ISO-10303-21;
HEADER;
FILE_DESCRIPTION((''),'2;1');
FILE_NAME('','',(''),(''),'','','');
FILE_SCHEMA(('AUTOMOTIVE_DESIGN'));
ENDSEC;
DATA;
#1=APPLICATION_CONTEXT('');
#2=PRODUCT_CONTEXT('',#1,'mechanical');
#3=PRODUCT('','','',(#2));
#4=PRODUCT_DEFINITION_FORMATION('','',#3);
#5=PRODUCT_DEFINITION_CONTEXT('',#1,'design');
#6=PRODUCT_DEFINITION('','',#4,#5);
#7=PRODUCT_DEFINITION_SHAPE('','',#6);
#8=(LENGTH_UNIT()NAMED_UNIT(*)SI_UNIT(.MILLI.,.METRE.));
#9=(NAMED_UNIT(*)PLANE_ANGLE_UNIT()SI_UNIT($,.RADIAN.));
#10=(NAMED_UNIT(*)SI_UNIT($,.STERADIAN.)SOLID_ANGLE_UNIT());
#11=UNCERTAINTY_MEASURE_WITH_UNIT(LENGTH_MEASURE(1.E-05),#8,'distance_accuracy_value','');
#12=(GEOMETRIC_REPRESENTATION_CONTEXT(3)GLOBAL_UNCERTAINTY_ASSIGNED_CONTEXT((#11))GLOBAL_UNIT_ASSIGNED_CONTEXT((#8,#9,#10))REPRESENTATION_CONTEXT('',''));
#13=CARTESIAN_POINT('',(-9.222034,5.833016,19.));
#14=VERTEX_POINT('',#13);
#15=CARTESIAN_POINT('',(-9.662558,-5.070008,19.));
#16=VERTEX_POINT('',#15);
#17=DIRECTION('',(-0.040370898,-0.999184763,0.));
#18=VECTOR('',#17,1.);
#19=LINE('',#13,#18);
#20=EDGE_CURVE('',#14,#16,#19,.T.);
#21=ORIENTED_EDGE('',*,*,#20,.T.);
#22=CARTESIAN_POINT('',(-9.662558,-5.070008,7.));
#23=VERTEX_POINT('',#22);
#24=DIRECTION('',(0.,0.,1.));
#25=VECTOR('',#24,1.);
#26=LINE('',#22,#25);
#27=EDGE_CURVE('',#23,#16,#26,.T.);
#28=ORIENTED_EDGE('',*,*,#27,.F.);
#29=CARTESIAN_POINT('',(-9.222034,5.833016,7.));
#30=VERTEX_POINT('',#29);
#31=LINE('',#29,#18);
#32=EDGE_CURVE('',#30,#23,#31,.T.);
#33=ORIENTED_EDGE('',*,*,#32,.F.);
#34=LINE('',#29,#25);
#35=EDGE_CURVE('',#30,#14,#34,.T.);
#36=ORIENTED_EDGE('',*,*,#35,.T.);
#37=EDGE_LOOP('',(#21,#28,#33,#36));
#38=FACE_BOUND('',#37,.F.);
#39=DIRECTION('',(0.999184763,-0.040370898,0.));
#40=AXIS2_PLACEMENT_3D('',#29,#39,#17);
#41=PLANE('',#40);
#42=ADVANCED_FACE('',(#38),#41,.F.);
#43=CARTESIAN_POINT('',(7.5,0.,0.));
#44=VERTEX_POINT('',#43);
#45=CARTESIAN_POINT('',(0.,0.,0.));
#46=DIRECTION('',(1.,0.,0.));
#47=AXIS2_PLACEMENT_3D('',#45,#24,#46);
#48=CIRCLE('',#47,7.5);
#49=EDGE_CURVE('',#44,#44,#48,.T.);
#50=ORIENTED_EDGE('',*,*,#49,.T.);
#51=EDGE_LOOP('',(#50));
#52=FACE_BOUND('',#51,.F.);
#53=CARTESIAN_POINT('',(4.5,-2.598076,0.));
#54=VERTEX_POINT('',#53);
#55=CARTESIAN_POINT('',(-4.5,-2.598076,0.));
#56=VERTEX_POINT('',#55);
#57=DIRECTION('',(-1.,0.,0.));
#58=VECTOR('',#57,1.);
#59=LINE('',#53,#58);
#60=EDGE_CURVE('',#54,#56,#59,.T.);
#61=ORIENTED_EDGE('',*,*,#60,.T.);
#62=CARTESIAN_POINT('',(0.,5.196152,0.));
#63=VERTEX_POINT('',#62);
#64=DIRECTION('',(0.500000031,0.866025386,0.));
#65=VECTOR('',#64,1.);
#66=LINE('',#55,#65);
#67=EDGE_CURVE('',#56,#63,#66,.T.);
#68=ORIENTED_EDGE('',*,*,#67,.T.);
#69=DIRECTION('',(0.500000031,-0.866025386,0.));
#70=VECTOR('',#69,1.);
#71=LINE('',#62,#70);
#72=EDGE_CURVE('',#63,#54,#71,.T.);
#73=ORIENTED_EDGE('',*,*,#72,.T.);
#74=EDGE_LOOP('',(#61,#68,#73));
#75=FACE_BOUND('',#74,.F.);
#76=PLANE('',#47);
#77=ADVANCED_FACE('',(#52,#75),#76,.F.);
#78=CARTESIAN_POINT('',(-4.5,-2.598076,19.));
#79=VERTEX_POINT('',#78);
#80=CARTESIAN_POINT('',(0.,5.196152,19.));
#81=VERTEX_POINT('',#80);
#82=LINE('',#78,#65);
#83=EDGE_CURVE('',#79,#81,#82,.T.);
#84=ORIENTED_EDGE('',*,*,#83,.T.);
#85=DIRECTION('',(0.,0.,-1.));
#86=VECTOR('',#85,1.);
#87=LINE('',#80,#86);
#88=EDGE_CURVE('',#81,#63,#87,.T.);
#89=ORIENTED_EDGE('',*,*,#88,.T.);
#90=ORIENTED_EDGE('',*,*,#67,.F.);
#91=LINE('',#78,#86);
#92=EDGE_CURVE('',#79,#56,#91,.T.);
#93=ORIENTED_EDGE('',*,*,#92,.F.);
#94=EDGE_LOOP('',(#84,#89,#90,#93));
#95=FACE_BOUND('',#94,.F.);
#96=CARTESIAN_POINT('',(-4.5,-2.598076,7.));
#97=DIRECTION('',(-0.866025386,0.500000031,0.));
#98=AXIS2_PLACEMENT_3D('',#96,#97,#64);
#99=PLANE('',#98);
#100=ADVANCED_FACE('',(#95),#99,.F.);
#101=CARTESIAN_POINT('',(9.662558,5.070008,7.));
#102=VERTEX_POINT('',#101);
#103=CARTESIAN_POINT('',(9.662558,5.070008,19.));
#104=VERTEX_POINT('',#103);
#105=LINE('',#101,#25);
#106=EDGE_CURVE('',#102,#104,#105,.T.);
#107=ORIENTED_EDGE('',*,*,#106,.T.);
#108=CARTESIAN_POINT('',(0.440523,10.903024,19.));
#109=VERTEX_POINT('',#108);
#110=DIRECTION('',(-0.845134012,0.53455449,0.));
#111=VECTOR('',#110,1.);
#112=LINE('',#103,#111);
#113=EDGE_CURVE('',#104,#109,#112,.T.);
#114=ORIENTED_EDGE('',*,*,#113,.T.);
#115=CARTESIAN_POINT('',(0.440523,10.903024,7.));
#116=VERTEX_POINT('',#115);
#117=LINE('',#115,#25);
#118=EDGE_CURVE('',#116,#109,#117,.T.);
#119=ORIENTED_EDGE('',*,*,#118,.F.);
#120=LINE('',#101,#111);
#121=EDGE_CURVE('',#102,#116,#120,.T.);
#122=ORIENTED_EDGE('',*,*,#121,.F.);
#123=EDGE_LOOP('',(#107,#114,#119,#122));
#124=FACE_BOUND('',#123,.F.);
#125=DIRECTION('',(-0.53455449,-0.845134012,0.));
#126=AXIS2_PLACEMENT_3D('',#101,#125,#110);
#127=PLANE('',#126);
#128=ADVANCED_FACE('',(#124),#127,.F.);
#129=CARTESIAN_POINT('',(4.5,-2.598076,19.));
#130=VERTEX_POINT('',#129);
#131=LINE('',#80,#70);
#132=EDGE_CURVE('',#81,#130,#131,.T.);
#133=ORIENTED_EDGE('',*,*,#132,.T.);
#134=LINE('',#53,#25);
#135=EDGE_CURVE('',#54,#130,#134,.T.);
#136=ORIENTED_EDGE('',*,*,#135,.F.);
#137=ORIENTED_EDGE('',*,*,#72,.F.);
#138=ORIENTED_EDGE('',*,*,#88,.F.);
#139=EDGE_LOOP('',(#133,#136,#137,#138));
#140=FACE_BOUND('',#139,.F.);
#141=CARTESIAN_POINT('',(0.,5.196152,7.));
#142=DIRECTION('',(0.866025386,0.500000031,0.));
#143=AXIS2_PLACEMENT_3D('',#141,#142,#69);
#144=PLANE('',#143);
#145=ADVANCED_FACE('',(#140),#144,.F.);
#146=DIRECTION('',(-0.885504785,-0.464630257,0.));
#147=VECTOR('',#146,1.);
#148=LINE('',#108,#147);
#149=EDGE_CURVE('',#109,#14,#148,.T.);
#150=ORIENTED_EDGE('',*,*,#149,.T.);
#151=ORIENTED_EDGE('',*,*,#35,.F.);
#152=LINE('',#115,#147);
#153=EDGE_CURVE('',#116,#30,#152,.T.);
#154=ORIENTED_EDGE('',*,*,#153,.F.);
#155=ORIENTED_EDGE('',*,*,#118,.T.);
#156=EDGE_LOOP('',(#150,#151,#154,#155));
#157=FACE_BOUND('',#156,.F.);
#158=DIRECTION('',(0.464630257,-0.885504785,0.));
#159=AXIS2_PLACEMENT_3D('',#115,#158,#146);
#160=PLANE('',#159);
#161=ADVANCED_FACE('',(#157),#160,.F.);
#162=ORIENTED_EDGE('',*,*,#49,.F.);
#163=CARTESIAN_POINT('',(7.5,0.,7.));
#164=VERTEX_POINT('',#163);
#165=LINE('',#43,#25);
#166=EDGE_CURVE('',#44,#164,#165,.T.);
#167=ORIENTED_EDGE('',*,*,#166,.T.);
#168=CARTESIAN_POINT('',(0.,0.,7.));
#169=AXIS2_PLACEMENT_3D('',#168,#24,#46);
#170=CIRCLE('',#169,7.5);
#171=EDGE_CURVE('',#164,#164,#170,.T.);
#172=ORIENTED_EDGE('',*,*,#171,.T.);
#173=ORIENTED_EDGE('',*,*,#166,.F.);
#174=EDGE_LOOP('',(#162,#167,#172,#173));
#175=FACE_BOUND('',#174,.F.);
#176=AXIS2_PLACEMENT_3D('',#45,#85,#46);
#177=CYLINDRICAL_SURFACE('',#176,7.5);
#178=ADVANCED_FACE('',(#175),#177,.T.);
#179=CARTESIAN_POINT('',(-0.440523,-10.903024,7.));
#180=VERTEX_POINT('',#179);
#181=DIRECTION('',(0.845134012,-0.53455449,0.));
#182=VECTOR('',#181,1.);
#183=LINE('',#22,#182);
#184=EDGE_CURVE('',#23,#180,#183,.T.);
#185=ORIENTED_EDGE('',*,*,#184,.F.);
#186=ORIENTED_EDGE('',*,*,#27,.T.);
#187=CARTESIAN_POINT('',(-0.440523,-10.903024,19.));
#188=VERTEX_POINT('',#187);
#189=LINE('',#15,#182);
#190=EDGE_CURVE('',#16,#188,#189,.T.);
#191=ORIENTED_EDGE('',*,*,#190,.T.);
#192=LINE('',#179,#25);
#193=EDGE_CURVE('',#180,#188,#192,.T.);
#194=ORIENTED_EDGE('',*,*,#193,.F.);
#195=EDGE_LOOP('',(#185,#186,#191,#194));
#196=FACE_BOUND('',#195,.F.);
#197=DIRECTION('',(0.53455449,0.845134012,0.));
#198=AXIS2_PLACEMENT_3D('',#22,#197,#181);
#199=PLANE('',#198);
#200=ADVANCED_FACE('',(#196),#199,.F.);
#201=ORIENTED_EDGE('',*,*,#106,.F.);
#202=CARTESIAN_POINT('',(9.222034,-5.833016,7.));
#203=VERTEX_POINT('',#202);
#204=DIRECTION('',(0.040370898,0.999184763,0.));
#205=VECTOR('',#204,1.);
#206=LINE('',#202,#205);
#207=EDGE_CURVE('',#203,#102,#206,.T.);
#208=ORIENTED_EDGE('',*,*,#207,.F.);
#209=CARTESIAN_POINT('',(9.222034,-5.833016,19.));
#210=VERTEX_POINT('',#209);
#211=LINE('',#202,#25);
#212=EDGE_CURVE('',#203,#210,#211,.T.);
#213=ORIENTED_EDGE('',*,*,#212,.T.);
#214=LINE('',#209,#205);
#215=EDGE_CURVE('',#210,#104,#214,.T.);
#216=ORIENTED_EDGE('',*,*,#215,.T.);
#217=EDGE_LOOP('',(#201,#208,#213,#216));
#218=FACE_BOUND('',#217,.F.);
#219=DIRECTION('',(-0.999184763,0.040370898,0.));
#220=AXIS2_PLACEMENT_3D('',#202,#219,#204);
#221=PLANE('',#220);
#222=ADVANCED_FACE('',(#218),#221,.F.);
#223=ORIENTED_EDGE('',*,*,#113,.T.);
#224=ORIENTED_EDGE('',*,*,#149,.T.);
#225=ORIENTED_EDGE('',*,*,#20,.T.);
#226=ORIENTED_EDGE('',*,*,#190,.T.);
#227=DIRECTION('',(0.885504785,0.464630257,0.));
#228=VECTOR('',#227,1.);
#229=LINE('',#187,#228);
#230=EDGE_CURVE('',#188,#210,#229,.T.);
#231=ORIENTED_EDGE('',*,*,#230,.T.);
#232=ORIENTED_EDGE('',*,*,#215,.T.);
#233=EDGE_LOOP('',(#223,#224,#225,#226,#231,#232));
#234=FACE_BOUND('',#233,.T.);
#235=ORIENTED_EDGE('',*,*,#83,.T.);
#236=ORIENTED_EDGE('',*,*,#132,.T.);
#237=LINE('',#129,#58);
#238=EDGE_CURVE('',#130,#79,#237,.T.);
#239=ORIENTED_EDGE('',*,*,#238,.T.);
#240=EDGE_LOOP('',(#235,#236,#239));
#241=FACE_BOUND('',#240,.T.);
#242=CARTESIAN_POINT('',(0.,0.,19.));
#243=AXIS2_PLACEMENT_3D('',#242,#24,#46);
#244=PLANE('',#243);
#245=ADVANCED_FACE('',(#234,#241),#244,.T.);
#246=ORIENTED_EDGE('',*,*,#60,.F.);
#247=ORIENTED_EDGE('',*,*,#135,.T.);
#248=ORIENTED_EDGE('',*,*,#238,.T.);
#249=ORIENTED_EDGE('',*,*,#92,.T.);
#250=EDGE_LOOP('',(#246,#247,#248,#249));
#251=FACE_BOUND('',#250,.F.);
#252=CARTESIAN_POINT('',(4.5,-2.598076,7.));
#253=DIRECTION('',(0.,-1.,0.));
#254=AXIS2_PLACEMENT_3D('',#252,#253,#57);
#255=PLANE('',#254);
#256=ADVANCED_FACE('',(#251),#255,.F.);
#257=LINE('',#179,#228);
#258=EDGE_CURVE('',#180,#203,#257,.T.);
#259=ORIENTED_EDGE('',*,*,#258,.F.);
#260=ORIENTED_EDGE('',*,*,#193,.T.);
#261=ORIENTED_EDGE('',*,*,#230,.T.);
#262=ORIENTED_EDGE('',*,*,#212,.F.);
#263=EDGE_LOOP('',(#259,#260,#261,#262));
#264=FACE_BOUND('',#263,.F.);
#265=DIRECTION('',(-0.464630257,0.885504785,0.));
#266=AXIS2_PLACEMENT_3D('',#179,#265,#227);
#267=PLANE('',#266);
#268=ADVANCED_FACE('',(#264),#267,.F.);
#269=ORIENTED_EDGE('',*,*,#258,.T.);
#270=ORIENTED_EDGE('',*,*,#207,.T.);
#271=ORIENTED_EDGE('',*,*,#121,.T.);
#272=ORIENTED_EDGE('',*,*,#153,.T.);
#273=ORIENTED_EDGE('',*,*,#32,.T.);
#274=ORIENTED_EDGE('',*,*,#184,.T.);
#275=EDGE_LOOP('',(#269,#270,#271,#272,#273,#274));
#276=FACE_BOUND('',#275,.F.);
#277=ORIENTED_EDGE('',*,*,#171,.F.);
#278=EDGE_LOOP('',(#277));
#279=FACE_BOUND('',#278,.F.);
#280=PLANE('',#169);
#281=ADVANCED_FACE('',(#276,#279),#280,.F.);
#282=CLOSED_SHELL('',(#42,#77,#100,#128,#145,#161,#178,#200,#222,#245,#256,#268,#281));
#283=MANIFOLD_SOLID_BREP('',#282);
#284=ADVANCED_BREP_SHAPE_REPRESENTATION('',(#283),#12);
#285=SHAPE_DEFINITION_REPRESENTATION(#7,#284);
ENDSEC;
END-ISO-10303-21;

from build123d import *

# Parameters (mm, degrees)
F0_R     = 7.5
F1_DEPTH = 7
F2_R     = 7.5
F3_DEPTH = 12


with BuildPart() as f1:
    # F0 (on Top) → F1 (new body)
    with BuildSketch(Plane.XY):
        Circle(F0_R)
        Polygon((-4.5, -2.598076), (0, 5.196152), (4.5, -2.598076), align=None, mode=Mode.SUBTRACT)
    extrude(amount=F1_DEPTH)

    # F2 (on face) → F3 (join)
    with BuildSketch(Plane.XY.offset(7)):
        Polygon((9.222034, -5.833016), (9.662558, 5.070008), (0.440523, 10.903024), (-9.222034, 5.833016), (-9.662558, -5.070008), (-0.440523, -10.903024), align=None)
        Circle(F2_R, mode=Mode.SUBTRACT)
        Circle(F2_R)
        Polygon((4.5, -2.598076), (-4.5, -2.598076), (0, 5.196152), align=None, mode=Mode.SUBTRACT)
    extrude(amount=F3_DEPTH)


solid = f1.part
